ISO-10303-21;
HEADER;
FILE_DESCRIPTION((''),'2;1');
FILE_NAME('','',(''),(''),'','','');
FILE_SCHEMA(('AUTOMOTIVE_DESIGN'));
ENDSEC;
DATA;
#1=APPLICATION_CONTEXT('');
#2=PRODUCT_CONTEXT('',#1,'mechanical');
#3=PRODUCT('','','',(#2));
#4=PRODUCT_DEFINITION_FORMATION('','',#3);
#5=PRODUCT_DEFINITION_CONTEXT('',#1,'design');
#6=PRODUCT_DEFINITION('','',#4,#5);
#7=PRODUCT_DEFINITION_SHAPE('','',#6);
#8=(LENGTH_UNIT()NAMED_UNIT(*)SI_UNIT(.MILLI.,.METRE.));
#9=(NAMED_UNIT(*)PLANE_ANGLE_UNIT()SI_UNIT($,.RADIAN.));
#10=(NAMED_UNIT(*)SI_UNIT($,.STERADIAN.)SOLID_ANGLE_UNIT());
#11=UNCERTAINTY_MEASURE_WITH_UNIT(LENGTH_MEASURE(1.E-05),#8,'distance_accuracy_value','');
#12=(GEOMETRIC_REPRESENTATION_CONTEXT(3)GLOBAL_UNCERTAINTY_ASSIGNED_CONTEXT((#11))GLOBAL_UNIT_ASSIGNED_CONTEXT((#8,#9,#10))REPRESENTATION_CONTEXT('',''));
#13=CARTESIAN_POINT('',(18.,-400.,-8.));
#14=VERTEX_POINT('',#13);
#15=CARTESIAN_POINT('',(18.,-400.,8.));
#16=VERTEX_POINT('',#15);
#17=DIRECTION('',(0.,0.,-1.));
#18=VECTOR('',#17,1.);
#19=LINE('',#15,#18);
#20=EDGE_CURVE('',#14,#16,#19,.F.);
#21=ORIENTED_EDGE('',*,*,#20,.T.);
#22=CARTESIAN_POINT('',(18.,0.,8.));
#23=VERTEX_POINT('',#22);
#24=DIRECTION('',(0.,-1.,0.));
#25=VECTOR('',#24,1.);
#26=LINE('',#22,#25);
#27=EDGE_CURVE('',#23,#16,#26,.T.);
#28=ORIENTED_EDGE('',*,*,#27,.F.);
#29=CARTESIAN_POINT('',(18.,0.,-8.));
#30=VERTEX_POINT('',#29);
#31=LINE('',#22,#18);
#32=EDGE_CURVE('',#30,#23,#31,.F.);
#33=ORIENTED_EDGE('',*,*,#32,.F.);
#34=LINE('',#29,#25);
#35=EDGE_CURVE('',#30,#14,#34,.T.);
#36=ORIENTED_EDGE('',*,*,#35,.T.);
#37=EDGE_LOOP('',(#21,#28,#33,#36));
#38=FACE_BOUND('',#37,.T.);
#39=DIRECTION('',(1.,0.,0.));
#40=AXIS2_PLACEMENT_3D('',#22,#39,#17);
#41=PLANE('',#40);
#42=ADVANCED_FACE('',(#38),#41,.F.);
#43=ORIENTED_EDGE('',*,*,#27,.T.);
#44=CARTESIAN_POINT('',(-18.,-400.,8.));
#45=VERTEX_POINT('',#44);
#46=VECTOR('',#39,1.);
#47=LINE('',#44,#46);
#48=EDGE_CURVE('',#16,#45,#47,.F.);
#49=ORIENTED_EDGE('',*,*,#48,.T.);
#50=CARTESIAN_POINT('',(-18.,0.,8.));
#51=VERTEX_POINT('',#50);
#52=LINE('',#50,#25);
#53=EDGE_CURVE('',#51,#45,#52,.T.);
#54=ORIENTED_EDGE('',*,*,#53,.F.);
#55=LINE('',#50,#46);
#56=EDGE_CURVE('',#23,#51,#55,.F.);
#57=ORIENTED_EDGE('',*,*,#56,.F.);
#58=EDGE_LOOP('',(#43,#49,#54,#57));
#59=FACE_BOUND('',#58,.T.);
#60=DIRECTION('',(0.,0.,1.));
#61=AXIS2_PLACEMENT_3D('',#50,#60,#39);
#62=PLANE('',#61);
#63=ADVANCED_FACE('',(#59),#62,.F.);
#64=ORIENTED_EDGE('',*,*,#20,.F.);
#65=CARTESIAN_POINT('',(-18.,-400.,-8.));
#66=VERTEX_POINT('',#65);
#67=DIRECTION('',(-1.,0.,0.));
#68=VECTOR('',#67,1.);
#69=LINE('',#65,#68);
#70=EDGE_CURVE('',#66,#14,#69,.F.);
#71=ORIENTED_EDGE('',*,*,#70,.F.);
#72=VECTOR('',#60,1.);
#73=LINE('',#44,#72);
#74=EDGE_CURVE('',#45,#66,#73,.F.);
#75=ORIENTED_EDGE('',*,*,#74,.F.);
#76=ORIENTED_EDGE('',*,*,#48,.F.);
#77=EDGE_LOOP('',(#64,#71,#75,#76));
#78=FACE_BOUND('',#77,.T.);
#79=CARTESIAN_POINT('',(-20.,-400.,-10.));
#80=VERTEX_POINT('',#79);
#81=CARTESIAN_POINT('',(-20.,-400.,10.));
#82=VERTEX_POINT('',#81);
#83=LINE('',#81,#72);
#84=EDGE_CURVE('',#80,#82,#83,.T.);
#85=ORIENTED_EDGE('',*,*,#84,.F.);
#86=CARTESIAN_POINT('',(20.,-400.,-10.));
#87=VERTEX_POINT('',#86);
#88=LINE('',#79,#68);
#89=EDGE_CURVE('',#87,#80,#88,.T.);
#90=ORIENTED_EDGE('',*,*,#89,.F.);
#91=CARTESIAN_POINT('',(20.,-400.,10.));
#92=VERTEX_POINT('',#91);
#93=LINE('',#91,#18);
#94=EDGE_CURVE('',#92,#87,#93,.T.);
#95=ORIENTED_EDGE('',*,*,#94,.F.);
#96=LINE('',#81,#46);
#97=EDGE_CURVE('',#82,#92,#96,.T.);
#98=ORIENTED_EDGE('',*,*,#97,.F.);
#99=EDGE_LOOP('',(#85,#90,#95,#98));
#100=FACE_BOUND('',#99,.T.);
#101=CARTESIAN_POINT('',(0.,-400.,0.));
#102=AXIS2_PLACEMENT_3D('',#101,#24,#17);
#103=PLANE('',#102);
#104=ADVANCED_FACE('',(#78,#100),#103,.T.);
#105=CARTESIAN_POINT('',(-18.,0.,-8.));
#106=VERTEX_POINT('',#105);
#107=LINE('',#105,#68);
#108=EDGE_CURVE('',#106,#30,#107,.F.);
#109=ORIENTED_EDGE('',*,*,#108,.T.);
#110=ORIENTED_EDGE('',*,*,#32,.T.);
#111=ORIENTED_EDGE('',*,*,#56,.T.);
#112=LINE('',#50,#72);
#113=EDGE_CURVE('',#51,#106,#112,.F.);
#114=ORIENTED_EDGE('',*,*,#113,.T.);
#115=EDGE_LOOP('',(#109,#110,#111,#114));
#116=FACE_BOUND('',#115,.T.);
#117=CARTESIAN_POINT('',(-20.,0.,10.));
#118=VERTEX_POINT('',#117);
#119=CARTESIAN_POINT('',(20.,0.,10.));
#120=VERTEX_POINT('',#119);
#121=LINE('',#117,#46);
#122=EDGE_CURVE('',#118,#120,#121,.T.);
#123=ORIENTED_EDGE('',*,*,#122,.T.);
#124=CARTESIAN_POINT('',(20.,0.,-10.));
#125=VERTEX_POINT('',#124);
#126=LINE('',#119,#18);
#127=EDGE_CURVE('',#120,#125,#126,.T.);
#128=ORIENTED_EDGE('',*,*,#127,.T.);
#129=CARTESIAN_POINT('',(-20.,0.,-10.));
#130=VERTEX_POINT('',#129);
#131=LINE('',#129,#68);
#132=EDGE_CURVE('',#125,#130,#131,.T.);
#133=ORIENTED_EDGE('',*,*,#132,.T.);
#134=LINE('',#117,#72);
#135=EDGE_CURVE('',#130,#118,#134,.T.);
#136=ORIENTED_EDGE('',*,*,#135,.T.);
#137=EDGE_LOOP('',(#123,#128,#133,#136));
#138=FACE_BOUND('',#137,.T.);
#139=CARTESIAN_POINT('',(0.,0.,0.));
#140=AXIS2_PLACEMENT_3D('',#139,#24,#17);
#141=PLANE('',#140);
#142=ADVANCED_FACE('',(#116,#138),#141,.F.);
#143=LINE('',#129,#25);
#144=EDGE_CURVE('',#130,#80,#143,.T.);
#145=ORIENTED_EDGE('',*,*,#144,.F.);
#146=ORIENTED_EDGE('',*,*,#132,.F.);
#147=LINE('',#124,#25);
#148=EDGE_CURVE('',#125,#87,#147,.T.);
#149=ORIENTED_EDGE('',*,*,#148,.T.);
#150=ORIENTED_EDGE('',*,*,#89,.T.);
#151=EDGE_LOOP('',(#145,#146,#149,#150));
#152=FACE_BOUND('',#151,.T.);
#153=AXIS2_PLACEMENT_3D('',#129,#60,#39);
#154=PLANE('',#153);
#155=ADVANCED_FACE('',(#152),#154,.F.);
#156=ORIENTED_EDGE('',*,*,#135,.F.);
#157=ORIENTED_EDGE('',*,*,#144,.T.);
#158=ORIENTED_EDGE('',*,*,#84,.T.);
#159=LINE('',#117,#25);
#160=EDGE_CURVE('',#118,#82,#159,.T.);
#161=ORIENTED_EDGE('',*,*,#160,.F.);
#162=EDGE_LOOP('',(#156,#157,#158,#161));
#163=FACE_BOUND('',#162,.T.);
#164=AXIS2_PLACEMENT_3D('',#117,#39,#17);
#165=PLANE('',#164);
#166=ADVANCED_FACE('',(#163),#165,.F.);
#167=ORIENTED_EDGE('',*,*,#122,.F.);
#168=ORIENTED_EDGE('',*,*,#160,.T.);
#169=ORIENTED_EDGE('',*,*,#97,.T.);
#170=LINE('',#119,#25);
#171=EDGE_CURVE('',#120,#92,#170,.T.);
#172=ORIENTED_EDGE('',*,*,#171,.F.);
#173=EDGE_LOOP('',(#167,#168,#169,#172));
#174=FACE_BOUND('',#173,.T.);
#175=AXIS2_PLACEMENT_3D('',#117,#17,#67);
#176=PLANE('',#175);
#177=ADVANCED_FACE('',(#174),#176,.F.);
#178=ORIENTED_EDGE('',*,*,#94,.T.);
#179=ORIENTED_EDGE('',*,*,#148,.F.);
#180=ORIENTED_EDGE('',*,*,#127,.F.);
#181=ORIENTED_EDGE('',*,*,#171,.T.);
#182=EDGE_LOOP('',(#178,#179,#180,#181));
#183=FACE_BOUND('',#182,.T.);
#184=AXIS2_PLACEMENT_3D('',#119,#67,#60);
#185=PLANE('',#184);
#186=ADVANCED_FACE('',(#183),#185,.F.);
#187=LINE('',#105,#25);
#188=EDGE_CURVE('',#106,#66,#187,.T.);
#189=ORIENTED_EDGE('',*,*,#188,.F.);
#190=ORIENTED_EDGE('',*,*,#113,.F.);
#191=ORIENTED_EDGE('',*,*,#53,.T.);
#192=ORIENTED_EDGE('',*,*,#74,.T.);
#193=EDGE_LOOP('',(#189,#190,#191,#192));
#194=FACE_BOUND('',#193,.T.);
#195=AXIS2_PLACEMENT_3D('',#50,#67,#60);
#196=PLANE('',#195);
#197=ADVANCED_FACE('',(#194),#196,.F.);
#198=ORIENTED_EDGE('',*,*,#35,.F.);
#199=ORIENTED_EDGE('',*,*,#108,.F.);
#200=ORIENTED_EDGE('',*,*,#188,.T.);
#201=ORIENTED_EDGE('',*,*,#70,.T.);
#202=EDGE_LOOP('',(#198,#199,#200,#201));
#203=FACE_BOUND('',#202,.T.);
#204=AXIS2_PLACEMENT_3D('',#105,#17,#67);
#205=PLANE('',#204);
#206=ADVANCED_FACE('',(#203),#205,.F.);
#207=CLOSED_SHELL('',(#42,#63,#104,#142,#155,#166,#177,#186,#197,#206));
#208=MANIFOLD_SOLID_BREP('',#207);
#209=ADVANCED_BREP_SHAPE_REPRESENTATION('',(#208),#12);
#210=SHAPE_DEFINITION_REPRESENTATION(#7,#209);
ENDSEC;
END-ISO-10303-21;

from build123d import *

# Parameters (mm, degrees)
ESBO_O1_W   = 40
ESBO_O1_H   = 20
ESBO_O1_W_2 = 36
ESBO_O1_H_2 = 16


with BuildPart() as part:
    # Varredura1: sweep along a path in Esboço2
    with BuildLine(Plane(origin=(0, 0, 0), x_dir=(0, 0, -1), z_dir=(1, 0, 0))) as varredura1_path:
        Line((0, 0), (0, -400))
    # Esboço1 → Varredura1 (sweep)
    with BuildSketch(Plane(origin=(0, 0, 0), x_dir=(1, 0, 0), z_dir=(0, 1, 0))):
        Rectangle(ESBO_O1_W, ESBO_O1_H)
        Rectangle(ESBO_O1_W_2, ESBO_O1_H_2, mode=Mode.SUBTRACT)
    sweep(path=varredura1_path.line)


solid = part.part
